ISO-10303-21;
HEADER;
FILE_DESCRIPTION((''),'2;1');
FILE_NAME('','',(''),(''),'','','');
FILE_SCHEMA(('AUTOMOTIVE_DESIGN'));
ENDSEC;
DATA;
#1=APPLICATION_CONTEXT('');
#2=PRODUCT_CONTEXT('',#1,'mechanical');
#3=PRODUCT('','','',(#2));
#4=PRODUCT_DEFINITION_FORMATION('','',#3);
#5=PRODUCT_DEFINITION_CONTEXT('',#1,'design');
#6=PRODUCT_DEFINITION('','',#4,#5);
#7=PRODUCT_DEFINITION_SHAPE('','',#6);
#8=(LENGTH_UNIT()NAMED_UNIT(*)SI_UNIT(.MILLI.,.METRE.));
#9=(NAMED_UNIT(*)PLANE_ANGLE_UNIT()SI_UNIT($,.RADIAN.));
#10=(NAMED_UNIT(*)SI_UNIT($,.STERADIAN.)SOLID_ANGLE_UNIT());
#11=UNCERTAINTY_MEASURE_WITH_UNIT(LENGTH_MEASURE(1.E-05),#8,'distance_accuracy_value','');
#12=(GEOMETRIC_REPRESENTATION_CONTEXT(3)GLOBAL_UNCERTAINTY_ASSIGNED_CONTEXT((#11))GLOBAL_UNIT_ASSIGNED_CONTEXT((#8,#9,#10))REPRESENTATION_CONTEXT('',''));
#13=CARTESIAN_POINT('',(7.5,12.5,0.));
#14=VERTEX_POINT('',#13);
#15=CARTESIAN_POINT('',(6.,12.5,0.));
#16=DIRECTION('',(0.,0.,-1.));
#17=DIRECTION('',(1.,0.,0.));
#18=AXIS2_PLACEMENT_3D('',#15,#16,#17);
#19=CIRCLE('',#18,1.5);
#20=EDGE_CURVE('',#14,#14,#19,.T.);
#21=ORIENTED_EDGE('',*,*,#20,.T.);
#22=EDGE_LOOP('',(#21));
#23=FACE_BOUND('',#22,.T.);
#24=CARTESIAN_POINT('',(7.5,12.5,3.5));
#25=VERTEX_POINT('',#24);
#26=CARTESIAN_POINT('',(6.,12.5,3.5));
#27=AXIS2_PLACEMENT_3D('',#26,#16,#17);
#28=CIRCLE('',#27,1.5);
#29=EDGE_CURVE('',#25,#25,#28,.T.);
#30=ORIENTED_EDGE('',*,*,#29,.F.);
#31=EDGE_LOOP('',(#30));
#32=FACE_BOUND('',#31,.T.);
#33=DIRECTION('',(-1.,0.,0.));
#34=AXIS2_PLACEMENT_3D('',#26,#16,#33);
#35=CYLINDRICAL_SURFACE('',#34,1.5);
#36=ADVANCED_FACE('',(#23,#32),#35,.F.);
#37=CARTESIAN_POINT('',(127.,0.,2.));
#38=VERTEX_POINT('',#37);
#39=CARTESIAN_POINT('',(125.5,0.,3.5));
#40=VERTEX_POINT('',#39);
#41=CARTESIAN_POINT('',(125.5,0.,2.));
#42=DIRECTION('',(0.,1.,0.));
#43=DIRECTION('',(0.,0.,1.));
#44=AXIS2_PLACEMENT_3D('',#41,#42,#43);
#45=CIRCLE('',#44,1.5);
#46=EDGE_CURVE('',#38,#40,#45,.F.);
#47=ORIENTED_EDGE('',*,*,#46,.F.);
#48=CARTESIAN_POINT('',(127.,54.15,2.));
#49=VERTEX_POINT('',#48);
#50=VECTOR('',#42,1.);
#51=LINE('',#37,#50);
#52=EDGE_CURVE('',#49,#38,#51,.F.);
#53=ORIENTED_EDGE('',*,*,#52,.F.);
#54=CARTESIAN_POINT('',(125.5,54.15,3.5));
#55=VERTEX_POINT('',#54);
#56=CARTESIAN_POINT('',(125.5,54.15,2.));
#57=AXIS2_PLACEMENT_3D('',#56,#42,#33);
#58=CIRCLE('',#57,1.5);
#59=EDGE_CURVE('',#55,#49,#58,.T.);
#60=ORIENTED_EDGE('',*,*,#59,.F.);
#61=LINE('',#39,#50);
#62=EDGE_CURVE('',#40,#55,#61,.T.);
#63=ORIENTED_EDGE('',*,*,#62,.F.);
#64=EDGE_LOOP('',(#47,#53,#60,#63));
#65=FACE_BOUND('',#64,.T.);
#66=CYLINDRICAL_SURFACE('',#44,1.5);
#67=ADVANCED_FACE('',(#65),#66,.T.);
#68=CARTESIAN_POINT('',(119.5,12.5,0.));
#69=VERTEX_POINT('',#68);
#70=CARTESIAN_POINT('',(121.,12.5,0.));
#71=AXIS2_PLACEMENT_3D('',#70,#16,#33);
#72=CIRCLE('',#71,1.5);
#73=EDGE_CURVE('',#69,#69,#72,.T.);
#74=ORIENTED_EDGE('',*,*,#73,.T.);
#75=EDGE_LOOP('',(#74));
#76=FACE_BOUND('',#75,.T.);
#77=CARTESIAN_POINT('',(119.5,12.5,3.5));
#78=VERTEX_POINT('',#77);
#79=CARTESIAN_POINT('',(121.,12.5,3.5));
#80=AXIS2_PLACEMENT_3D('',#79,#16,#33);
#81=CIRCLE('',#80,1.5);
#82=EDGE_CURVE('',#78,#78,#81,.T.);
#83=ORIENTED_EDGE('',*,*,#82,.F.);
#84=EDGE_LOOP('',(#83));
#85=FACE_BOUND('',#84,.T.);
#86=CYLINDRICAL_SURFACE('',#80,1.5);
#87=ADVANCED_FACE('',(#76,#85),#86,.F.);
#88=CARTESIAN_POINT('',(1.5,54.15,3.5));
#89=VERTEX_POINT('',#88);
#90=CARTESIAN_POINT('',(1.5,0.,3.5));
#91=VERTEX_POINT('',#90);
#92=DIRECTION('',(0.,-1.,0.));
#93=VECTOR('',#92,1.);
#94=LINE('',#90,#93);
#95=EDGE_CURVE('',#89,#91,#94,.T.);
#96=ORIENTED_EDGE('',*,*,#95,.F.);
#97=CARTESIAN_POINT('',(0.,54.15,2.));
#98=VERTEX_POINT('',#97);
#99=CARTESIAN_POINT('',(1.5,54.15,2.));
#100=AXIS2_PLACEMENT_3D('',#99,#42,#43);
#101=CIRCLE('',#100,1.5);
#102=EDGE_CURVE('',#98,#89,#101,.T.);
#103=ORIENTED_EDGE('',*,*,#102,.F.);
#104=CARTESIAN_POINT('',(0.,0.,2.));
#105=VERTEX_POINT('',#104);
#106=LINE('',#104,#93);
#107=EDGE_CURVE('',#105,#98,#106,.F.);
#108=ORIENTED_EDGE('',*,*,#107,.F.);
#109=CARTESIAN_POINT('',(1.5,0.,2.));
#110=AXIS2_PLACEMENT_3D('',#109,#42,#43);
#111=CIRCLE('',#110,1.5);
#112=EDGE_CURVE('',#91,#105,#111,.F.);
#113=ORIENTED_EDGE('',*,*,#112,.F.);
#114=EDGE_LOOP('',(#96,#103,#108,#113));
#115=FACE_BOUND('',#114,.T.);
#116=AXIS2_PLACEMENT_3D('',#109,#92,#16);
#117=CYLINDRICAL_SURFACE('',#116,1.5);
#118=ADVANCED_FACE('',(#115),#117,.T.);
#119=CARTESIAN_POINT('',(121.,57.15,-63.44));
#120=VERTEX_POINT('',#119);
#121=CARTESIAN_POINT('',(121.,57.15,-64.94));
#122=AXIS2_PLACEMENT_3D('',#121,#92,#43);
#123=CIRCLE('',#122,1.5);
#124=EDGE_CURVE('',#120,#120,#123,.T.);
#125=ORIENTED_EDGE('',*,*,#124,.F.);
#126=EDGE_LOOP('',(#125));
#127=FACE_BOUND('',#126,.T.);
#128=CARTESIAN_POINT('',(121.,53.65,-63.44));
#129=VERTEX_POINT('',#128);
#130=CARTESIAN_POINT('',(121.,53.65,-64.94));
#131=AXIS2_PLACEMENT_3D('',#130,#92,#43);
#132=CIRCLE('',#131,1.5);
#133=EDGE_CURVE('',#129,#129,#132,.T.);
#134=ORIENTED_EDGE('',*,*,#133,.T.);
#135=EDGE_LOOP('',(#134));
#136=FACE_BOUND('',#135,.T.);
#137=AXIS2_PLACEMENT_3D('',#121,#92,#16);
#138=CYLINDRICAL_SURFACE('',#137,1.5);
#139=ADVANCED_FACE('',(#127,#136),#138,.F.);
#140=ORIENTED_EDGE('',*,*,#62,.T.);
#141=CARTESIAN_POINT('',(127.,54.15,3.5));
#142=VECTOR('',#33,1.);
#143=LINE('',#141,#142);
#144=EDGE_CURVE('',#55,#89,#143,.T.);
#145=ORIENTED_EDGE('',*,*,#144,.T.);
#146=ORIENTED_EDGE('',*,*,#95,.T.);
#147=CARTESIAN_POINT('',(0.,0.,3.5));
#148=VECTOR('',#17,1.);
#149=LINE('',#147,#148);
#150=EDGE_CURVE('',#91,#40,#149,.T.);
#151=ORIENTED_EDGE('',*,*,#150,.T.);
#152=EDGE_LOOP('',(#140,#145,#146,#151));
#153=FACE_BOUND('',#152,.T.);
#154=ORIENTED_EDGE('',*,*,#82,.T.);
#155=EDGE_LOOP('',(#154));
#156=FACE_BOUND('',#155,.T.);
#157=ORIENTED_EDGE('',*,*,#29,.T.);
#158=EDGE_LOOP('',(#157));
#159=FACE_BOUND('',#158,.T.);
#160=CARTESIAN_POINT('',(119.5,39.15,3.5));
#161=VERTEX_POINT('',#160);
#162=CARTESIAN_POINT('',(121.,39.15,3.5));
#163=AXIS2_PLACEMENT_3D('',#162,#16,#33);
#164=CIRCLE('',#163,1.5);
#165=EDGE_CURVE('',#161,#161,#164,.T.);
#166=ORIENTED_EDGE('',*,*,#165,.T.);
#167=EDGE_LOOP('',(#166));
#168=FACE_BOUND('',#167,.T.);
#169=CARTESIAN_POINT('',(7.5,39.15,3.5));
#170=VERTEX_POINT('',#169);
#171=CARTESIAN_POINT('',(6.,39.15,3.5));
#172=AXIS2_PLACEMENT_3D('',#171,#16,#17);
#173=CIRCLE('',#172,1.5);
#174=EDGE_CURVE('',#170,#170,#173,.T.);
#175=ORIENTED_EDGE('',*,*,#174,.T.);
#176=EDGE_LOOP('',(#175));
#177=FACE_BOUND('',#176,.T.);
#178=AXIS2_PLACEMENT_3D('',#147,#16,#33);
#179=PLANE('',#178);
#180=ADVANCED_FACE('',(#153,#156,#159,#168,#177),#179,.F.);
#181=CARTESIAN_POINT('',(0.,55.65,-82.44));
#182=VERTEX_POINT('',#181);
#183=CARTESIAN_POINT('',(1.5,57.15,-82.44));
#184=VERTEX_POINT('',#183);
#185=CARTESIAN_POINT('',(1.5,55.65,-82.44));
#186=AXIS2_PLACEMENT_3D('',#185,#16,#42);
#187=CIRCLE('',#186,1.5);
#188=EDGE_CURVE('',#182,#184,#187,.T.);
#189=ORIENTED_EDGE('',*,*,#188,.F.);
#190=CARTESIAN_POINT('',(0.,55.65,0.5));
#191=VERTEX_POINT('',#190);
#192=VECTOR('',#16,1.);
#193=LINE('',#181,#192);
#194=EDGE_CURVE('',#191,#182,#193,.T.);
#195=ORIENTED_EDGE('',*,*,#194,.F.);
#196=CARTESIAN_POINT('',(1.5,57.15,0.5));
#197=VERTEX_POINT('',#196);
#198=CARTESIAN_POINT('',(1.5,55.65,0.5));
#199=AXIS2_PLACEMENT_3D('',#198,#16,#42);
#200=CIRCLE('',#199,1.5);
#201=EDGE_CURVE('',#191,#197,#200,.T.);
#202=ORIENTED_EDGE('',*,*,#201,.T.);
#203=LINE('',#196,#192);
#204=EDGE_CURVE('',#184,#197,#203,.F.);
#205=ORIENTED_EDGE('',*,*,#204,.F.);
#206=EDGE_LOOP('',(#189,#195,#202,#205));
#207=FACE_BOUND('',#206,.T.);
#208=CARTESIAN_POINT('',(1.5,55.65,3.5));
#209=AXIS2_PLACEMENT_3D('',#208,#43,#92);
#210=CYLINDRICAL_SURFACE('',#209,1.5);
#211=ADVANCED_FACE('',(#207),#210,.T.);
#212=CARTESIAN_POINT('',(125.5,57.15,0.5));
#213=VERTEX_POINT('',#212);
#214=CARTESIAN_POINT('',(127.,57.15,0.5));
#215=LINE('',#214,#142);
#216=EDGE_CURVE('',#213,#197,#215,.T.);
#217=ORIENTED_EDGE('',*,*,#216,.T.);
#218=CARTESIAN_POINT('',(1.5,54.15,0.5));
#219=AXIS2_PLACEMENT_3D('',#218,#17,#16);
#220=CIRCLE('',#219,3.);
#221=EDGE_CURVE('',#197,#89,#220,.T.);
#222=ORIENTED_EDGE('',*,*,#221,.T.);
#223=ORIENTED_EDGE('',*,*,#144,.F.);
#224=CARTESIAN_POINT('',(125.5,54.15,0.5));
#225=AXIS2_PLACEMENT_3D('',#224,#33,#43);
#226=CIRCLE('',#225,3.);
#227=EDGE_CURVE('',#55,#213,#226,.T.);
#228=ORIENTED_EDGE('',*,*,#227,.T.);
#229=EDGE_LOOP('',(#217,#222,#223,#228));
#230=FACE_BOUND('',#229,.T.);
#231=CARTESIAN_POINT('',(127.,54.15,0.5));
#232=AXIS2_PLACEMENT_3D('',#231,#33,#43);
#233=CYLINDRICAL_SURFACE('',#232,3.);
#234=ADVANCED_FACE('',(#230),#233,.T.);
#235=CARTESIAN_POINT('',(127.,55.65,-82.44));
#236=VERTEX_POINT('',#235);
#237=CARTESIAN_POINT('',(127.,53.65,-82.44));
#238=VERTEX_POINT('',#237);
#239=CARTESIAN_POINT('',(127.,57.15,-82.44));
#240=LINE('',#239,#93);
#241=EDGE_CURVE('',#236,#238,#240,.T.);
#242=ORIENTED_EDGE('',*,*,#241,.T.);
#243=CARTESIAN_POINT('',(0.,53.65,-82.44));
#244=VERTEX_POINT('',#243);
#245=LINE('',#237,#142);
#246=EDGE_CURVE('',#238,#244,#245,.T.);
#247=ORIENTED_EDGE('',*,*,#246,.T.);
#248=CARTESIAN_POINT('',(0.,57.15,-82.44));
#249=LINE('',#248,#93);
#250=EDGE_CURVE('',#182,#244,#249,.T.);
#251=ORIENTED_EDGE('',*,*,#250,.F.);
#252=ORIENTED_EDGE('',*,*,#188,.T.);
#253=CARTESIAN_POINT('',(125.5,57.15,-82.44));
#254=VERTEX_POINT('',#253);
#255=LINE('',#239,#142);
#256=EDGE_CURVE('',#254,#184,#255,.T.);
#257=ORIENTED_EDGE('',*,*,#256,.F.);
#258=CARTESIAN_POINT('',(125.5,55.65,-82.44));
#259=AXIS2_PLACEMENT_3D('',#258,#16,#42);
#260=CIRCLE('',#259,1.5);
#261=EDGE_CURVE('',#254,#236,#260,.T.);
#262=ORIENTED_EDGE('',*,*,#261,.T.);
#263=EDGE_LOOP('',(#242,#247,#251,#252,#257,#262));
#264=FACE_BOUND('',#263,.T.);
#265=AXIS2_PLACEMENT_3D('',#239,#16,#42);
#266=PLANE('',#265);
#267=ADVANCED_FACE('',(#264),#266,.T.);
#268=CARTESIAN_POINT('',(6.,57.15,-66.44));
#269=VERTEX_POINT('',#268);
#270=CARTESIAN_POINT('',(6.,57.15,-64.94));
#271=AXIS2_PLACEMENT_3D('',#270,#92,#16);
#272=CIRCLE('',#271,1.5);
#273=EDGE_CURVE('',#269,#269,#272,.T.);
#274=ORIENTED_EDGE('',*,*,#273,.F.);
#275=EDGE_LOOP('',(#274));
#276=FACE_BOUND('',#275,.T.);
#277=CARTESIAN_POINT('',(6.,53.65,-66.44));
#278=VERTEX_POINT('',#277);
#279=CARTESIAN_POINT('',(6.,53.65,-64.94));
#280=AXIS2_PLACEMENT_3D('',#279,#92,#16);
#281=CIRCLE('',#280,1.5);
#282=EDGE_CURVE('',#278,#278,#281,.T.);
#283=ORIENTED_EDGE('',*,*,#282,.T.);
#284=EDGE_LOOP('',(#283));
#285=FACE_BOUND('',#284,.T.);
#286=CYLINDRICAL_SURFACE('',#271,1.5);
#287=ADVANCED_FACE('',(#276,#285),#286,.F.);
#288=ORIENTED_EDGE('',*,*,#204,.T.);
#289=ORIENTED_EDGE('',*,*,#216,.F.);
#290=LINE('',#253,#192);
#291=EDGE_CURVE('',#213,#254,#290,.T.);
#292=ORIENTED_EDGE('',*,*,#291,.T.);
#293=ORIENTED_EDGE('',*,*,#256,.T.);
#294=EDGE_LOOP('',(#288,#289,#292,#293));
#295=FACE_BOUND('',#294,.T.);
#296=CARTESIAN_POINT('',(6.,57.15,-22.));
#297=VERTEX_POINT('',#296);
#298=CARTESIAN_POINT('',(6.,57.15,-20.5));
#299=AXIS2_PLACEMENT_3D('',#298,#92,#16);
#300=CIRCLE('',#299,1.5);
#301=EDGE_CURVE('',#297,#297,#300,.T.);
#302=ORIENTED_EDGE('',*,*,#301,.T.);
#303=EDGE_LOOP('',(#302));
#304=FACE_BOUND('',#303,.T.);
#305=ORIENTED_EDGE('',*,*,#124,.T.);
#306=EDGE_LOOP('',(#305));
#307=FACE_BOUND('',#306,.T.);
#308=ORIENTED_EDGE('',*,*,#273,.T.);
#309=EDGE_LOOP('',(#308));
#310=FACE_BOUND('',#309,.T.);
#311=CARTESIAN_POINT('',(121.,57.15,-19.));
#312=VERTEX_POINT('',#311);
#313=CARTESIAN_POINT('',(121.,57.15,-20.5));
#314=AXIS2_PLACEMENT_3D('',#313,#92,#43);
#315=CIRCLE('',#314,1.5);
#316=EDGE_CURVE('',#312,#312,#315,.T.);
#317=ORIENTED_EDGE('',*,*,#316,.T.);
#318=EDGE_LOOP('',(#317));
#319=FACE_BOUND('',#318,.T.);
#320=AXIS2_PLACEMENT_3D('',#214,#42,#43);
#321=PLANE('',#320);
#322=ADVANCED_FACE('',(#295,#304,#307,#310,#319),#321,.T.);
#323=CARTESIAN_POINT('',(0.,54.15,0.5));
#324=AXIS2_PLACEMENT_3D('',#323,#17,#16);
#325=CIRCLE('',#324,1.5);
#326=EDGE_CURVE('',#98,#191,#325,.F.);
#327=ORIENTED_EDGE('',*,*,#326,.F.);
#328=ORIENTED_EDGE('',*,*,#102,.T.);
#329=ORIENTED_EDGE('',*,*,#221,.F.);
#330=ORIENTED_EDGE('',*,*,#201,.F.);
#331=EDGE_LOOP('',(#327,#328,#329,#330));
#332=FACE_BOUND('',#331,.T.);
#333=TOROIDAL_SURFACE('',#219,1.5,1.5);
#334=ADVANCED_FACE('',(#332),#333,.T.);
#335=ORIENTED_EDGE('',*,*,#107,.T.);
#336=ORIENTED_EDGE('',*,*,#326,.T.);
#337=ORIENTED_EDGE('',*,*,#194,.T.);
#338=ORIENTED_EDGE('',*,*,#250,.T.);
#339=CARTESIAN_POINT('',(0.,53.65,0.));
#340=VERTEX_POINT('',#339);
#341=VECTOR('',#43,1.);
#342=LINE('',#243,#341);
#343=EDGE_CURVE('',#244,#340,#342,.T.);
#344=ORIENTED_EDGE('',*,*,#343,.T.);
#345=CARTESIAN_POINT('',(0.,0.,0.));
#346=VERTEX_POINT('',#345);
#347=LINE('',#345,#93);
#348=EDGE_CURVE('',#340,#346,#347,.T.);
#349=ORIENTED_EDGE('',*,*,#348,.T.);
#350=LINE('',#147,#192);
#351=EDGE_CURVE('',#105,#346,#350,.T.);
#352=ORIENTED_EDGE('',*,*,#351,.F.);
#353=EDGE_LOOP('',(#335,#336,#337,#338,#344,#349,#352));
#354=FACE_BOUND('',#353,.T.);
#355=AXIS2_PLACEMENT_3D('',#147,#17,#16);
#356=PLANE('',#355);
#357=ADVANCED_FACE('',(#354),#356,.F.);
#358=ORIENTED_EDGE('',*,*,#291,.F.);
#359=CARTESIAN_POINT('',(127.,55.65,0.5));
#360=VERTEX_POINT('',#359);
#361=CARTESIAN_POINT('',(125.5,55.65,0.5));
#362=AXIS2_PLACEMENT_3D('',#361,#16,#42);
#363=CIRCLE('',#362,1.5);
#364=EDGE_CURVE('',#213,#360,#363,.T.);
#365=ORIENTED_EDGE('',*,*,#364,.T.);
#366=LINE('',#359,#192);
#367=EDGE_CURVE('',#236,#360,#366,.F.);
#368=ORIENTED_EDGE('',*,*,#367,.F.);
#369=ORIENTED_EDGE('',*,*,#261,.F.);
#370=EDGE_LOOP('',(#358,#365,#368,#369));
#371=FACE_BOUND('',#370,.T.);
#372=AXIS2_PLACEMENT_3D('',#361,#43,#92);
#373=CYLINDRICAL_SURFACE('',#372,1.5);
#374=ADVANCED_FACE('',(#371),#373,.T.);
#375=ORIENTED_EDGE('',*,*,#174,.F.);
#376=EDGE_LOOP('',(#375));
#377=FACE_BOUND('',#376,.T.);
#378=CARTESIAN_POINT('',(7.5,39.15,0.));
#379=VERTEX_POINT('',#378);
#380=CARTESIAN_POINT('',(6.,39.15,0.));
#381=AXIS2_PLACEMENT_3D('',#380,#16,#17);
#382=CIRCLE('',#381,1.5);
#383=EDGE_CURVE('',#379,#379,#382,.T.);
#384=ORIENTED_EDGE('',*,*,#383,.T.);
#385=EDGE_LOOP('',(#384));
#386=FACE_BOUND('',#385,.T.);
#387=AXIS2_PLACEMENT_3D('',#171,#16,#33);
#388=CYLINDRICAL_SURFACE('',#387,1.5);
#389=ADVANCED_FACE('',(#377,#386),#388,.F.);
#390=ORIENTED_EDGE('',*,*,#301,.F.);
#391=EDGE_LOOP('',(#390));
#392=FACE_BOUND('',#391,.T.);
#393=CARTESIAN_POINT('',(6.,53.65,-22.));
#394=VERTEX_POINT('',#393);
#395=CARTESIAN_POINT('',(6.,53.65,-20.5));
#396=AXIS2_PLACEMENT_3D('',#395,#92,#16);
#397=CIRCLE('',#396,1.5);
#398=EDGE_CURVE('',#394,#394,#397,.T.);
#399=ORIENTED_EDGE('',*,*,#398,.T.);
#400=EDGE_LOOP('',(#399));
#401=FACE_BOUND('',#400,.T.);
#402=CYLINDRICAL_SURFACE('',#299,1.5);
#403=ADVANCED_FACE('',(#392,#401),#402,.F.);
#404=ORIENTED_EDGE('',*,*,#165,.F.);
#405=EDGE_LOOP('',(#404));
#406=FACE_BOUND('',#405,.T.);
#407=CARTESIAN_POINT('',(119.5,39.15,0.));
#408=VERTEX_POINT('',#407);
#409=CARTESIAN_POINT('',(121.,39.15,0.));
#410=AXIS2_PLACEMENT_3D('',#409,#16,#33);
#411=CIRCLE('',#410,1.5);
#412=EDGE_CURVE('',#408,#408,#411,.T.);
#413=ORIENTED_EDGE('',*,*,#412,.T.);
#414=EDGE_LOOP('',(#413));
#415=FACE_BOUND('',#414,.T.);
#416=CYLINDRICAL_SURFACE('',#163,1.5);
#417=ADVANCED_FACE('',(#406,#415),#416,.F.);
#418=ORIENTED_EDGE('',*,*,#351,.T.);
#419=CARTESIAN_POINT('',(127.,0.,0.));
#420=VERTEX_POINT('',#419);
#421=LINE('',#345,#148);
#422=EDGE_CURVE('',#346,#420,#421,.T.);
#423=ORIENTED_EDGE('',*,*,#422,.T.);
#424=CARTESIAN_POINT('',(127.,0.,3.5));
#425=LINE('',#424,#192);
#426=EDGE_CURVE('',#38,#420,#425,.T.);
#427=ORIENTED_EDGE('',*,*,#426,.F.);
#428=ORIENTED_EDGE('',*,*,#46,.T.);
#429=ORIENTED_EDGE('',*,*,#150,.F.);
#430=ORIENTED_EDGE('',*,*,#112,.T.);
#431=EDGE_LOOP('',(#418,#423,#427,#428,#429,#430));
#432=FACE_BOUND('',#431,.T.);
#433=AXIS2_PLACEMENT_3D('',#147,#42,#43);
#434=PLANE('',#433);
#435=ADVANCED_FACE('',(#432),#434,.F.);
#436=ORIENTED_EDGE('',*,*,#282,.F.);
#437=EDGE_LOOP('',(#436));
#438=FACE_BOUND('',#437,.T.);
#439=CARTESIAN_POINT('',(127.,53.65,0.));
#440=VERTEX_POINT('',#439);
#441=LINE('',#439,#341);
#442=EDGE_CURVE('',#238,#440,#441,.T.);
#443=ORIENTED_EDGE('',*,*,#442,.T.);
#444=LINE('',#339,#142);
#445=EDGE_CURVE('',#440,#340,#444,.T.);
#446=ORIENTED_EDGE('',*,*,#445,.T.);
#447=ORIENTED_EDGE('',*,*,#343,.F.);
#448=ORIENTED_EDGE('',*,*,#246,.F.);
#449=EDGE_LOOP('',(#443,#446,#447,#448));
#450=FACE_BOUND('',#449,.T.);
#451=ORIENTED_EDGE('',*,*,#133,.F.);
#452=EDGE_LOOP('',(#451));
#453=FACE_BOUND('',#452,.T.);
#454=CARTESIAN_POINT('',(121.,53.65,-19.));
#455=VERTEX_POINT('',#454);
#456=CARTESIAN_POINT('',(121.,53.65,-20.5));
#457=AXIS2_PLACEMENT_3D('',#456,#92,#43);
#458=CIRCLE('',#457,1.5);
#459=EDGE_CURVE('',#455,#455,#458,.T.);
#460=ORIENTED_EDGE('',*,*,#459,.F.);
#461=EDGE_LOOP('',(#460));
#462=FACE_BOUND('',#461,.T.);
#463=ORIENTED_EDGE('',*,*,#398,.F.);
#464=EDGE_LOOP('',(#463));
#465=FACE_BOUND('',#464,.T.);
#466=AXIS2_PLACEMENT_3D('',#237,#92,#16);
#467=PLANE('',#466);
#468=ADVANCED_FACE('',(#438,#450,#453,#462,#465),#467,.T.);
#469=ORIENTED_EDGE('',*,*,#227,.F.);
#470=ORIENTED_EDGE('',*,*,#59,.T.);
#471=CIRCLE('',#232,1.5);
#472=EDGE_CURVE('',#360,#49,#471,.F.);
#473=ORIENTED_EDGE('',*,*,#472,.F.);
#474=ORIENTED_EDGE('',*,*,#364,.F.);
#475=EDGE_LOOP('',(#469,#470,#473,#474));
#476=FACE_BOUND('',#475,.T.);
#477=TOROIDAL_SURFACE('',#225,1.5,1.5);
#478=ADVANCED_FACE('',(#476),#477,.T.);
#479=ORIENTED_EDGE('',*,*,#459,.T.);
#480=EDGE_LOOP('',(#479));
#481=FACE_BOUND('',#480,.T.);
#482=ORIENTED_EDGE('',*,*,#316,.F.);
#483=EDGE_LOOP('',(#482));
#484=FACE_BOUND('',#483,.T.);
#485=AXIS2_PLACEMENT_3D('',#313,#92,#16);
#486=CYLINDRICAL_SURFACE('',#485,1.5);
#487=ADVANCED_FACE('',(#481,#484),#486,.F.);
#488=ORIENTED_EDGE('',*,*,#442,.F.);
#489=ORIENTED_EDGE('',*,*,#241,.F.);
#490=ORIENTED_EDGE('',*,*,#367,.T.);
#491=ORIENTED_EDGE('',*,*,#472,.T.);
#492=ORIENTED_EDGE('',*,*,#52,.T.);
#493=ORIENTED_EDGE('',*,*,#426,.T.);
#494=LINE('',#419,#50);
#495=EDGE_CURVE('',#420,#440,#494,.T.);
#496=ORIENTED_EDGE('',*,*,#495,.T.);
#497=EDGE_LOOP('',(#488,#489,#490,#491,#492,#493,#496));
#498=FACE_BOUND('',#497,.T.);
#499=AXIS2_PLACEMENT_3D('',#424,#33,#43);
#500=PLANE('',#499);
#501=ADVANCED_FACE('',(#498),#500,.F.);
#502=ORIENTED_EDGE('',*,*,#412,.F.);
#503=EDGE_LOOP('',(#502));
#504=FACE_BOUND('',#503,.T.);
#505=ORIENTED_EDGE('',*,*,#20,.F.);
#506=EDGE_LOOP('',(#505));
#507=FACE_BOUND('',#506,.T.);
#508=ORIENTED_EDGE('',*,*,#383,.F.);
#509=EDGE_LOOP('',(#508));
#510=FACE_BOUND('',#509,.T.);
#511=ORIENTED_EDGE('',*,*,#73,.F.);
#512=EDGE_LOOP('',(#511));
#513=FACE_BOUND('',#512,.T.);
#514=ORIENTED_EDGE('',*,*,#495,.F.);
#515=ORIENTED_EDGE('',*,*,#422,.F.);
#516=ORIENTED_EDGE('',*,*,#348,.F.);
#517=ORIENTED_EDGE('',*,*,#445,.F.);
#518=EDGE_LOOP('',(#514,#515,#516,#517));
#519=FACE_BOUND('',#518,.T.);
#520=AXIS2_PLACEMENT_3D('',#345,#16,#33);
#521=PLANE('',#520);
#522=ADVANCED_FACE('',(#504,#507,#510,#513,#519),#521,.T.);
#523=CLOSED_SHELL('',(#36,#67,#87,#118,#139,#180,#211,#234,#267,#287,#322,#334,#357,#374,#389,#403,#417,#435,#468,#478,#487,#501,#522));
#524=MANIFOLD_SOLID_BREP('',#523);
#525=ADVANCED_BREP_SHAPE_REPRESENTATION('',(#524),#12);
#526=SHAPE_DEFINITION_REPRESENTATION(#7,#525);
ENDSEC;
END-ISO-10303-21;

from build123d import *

# Parameters (mm, degrees)
SKETCH1_W           = 127
SKETCH1_H           = 53.65
BOSS_EXTRUDE1_DEPTH = 3.5
BOSS_EXTRUDE3_DEPTH = 127
SKETCH4_R           = 1.5
CUT_EXTRUDE1_DEPTH  = 3.5
SKETCH6_R           = 1.5
CUT_EXTRUDE3_DEPTH  = 3.5
FILLET1_R           = 1.5
FILLET2_R           = 1.5


with BuildPart() as part:
    # Sketch1 → Boss-Extrude1 (new body)
    with BuildSketch(Plane.XY):
        with Locations((63.5, 26.825)):
            Rectangle(SKETCH1_W, SKETCH1_H)
    extrude(amount=BOSS_EXTRUDE1_DEPTH)

    # Sketch2 → Boss-Extrude3 (add)
    with BuildSketch(Plane.ZY):
        with BuildLine():
            Line((3.5, 53.65), (3.5, 54.15))
            ThreePointArc((3.5, 54.15), (2.621320344, 56.271320344), (0.5, 57.15))
            Line((0.5, 57.15), (-82.44, 57.15))
            Line((-82.44, 57.15), (-82.44, 53.65))
            Line((-82.44, 53.65), (0, 53.65))
            Line((0, 53.65), (3.5, 53.65))
        make_face()
    extrude(amount=-BOSS_EXTRUDE3_DEPTH)

    # Sketch4 → Cut-Extrude1 (cut)
    with BuildSketch(Plane(origin=(0, 0, 0), x_dir=(-1, 0, 0), z_dir=(0, 0, -1))):
        with Locations((-121, 39.15)):
            Circle(SKETCH4_R)
        with Locations((-121, 12.5)):
            Circle(SKETCH4_R)
        with Locations(Location((-6, 12.5, 0), (0, 0, 180))):
            Circle(SKETCH4_R)
        with Locations(Location((-6, 39.15, 0), (0, 0, 180))):
            Circle(SKETCH4_R)
    extrude(amount=-CUT_EXTRUDE1_DEPTH, mode=Mode.SUBTRACT)

    # Sketch6 → Cut-Extrude3 (cut)
    with BuildSketch(Plane.XZ.offset(-53.65)):
        with Locations(Location((6, -20.5, 0), (0, 0, 270))):
            Circle(SKETCH6_R)
        with Locations(Location((6, -64.94, 0), (0, 0, 270))):
            Circle(SKETCH6_R)
        with Locations(Location((121, -64.94, 0), (0, 0, 90))):
            Circle(SKETCH6_R)
        with Locations(Location((121, -20.5, 0), (0, 0, 90))):
            Circle(SKETCH6_R)
    extrude(amount=-CUT_EXTRUDE3_DEPTH, mode=Mode.SUBTRACT)

    # Fillet1
    fillet1_edges = [part.edges().sort_by_distance(p)[0] for p in [
        (127, 27.075, 3.5),
        (127, 57.15, -40.97),
        (127, 56.271320344, 2.621320344),
    ]]
    fillet(fillet1_edges, radius=FILLET1_R)

    # Fillet2
    fillet2_edges = [part.edges().sort_by_distance(p)[0] for p in [
        (0, 56.271320344, 2.621320344),
        (0, 57.15, -40.97),
        (0, 27.075, 3.5),
    ]]
    fillet(fillet2_edges, radius=FILLET2_R)


solid = part.part
